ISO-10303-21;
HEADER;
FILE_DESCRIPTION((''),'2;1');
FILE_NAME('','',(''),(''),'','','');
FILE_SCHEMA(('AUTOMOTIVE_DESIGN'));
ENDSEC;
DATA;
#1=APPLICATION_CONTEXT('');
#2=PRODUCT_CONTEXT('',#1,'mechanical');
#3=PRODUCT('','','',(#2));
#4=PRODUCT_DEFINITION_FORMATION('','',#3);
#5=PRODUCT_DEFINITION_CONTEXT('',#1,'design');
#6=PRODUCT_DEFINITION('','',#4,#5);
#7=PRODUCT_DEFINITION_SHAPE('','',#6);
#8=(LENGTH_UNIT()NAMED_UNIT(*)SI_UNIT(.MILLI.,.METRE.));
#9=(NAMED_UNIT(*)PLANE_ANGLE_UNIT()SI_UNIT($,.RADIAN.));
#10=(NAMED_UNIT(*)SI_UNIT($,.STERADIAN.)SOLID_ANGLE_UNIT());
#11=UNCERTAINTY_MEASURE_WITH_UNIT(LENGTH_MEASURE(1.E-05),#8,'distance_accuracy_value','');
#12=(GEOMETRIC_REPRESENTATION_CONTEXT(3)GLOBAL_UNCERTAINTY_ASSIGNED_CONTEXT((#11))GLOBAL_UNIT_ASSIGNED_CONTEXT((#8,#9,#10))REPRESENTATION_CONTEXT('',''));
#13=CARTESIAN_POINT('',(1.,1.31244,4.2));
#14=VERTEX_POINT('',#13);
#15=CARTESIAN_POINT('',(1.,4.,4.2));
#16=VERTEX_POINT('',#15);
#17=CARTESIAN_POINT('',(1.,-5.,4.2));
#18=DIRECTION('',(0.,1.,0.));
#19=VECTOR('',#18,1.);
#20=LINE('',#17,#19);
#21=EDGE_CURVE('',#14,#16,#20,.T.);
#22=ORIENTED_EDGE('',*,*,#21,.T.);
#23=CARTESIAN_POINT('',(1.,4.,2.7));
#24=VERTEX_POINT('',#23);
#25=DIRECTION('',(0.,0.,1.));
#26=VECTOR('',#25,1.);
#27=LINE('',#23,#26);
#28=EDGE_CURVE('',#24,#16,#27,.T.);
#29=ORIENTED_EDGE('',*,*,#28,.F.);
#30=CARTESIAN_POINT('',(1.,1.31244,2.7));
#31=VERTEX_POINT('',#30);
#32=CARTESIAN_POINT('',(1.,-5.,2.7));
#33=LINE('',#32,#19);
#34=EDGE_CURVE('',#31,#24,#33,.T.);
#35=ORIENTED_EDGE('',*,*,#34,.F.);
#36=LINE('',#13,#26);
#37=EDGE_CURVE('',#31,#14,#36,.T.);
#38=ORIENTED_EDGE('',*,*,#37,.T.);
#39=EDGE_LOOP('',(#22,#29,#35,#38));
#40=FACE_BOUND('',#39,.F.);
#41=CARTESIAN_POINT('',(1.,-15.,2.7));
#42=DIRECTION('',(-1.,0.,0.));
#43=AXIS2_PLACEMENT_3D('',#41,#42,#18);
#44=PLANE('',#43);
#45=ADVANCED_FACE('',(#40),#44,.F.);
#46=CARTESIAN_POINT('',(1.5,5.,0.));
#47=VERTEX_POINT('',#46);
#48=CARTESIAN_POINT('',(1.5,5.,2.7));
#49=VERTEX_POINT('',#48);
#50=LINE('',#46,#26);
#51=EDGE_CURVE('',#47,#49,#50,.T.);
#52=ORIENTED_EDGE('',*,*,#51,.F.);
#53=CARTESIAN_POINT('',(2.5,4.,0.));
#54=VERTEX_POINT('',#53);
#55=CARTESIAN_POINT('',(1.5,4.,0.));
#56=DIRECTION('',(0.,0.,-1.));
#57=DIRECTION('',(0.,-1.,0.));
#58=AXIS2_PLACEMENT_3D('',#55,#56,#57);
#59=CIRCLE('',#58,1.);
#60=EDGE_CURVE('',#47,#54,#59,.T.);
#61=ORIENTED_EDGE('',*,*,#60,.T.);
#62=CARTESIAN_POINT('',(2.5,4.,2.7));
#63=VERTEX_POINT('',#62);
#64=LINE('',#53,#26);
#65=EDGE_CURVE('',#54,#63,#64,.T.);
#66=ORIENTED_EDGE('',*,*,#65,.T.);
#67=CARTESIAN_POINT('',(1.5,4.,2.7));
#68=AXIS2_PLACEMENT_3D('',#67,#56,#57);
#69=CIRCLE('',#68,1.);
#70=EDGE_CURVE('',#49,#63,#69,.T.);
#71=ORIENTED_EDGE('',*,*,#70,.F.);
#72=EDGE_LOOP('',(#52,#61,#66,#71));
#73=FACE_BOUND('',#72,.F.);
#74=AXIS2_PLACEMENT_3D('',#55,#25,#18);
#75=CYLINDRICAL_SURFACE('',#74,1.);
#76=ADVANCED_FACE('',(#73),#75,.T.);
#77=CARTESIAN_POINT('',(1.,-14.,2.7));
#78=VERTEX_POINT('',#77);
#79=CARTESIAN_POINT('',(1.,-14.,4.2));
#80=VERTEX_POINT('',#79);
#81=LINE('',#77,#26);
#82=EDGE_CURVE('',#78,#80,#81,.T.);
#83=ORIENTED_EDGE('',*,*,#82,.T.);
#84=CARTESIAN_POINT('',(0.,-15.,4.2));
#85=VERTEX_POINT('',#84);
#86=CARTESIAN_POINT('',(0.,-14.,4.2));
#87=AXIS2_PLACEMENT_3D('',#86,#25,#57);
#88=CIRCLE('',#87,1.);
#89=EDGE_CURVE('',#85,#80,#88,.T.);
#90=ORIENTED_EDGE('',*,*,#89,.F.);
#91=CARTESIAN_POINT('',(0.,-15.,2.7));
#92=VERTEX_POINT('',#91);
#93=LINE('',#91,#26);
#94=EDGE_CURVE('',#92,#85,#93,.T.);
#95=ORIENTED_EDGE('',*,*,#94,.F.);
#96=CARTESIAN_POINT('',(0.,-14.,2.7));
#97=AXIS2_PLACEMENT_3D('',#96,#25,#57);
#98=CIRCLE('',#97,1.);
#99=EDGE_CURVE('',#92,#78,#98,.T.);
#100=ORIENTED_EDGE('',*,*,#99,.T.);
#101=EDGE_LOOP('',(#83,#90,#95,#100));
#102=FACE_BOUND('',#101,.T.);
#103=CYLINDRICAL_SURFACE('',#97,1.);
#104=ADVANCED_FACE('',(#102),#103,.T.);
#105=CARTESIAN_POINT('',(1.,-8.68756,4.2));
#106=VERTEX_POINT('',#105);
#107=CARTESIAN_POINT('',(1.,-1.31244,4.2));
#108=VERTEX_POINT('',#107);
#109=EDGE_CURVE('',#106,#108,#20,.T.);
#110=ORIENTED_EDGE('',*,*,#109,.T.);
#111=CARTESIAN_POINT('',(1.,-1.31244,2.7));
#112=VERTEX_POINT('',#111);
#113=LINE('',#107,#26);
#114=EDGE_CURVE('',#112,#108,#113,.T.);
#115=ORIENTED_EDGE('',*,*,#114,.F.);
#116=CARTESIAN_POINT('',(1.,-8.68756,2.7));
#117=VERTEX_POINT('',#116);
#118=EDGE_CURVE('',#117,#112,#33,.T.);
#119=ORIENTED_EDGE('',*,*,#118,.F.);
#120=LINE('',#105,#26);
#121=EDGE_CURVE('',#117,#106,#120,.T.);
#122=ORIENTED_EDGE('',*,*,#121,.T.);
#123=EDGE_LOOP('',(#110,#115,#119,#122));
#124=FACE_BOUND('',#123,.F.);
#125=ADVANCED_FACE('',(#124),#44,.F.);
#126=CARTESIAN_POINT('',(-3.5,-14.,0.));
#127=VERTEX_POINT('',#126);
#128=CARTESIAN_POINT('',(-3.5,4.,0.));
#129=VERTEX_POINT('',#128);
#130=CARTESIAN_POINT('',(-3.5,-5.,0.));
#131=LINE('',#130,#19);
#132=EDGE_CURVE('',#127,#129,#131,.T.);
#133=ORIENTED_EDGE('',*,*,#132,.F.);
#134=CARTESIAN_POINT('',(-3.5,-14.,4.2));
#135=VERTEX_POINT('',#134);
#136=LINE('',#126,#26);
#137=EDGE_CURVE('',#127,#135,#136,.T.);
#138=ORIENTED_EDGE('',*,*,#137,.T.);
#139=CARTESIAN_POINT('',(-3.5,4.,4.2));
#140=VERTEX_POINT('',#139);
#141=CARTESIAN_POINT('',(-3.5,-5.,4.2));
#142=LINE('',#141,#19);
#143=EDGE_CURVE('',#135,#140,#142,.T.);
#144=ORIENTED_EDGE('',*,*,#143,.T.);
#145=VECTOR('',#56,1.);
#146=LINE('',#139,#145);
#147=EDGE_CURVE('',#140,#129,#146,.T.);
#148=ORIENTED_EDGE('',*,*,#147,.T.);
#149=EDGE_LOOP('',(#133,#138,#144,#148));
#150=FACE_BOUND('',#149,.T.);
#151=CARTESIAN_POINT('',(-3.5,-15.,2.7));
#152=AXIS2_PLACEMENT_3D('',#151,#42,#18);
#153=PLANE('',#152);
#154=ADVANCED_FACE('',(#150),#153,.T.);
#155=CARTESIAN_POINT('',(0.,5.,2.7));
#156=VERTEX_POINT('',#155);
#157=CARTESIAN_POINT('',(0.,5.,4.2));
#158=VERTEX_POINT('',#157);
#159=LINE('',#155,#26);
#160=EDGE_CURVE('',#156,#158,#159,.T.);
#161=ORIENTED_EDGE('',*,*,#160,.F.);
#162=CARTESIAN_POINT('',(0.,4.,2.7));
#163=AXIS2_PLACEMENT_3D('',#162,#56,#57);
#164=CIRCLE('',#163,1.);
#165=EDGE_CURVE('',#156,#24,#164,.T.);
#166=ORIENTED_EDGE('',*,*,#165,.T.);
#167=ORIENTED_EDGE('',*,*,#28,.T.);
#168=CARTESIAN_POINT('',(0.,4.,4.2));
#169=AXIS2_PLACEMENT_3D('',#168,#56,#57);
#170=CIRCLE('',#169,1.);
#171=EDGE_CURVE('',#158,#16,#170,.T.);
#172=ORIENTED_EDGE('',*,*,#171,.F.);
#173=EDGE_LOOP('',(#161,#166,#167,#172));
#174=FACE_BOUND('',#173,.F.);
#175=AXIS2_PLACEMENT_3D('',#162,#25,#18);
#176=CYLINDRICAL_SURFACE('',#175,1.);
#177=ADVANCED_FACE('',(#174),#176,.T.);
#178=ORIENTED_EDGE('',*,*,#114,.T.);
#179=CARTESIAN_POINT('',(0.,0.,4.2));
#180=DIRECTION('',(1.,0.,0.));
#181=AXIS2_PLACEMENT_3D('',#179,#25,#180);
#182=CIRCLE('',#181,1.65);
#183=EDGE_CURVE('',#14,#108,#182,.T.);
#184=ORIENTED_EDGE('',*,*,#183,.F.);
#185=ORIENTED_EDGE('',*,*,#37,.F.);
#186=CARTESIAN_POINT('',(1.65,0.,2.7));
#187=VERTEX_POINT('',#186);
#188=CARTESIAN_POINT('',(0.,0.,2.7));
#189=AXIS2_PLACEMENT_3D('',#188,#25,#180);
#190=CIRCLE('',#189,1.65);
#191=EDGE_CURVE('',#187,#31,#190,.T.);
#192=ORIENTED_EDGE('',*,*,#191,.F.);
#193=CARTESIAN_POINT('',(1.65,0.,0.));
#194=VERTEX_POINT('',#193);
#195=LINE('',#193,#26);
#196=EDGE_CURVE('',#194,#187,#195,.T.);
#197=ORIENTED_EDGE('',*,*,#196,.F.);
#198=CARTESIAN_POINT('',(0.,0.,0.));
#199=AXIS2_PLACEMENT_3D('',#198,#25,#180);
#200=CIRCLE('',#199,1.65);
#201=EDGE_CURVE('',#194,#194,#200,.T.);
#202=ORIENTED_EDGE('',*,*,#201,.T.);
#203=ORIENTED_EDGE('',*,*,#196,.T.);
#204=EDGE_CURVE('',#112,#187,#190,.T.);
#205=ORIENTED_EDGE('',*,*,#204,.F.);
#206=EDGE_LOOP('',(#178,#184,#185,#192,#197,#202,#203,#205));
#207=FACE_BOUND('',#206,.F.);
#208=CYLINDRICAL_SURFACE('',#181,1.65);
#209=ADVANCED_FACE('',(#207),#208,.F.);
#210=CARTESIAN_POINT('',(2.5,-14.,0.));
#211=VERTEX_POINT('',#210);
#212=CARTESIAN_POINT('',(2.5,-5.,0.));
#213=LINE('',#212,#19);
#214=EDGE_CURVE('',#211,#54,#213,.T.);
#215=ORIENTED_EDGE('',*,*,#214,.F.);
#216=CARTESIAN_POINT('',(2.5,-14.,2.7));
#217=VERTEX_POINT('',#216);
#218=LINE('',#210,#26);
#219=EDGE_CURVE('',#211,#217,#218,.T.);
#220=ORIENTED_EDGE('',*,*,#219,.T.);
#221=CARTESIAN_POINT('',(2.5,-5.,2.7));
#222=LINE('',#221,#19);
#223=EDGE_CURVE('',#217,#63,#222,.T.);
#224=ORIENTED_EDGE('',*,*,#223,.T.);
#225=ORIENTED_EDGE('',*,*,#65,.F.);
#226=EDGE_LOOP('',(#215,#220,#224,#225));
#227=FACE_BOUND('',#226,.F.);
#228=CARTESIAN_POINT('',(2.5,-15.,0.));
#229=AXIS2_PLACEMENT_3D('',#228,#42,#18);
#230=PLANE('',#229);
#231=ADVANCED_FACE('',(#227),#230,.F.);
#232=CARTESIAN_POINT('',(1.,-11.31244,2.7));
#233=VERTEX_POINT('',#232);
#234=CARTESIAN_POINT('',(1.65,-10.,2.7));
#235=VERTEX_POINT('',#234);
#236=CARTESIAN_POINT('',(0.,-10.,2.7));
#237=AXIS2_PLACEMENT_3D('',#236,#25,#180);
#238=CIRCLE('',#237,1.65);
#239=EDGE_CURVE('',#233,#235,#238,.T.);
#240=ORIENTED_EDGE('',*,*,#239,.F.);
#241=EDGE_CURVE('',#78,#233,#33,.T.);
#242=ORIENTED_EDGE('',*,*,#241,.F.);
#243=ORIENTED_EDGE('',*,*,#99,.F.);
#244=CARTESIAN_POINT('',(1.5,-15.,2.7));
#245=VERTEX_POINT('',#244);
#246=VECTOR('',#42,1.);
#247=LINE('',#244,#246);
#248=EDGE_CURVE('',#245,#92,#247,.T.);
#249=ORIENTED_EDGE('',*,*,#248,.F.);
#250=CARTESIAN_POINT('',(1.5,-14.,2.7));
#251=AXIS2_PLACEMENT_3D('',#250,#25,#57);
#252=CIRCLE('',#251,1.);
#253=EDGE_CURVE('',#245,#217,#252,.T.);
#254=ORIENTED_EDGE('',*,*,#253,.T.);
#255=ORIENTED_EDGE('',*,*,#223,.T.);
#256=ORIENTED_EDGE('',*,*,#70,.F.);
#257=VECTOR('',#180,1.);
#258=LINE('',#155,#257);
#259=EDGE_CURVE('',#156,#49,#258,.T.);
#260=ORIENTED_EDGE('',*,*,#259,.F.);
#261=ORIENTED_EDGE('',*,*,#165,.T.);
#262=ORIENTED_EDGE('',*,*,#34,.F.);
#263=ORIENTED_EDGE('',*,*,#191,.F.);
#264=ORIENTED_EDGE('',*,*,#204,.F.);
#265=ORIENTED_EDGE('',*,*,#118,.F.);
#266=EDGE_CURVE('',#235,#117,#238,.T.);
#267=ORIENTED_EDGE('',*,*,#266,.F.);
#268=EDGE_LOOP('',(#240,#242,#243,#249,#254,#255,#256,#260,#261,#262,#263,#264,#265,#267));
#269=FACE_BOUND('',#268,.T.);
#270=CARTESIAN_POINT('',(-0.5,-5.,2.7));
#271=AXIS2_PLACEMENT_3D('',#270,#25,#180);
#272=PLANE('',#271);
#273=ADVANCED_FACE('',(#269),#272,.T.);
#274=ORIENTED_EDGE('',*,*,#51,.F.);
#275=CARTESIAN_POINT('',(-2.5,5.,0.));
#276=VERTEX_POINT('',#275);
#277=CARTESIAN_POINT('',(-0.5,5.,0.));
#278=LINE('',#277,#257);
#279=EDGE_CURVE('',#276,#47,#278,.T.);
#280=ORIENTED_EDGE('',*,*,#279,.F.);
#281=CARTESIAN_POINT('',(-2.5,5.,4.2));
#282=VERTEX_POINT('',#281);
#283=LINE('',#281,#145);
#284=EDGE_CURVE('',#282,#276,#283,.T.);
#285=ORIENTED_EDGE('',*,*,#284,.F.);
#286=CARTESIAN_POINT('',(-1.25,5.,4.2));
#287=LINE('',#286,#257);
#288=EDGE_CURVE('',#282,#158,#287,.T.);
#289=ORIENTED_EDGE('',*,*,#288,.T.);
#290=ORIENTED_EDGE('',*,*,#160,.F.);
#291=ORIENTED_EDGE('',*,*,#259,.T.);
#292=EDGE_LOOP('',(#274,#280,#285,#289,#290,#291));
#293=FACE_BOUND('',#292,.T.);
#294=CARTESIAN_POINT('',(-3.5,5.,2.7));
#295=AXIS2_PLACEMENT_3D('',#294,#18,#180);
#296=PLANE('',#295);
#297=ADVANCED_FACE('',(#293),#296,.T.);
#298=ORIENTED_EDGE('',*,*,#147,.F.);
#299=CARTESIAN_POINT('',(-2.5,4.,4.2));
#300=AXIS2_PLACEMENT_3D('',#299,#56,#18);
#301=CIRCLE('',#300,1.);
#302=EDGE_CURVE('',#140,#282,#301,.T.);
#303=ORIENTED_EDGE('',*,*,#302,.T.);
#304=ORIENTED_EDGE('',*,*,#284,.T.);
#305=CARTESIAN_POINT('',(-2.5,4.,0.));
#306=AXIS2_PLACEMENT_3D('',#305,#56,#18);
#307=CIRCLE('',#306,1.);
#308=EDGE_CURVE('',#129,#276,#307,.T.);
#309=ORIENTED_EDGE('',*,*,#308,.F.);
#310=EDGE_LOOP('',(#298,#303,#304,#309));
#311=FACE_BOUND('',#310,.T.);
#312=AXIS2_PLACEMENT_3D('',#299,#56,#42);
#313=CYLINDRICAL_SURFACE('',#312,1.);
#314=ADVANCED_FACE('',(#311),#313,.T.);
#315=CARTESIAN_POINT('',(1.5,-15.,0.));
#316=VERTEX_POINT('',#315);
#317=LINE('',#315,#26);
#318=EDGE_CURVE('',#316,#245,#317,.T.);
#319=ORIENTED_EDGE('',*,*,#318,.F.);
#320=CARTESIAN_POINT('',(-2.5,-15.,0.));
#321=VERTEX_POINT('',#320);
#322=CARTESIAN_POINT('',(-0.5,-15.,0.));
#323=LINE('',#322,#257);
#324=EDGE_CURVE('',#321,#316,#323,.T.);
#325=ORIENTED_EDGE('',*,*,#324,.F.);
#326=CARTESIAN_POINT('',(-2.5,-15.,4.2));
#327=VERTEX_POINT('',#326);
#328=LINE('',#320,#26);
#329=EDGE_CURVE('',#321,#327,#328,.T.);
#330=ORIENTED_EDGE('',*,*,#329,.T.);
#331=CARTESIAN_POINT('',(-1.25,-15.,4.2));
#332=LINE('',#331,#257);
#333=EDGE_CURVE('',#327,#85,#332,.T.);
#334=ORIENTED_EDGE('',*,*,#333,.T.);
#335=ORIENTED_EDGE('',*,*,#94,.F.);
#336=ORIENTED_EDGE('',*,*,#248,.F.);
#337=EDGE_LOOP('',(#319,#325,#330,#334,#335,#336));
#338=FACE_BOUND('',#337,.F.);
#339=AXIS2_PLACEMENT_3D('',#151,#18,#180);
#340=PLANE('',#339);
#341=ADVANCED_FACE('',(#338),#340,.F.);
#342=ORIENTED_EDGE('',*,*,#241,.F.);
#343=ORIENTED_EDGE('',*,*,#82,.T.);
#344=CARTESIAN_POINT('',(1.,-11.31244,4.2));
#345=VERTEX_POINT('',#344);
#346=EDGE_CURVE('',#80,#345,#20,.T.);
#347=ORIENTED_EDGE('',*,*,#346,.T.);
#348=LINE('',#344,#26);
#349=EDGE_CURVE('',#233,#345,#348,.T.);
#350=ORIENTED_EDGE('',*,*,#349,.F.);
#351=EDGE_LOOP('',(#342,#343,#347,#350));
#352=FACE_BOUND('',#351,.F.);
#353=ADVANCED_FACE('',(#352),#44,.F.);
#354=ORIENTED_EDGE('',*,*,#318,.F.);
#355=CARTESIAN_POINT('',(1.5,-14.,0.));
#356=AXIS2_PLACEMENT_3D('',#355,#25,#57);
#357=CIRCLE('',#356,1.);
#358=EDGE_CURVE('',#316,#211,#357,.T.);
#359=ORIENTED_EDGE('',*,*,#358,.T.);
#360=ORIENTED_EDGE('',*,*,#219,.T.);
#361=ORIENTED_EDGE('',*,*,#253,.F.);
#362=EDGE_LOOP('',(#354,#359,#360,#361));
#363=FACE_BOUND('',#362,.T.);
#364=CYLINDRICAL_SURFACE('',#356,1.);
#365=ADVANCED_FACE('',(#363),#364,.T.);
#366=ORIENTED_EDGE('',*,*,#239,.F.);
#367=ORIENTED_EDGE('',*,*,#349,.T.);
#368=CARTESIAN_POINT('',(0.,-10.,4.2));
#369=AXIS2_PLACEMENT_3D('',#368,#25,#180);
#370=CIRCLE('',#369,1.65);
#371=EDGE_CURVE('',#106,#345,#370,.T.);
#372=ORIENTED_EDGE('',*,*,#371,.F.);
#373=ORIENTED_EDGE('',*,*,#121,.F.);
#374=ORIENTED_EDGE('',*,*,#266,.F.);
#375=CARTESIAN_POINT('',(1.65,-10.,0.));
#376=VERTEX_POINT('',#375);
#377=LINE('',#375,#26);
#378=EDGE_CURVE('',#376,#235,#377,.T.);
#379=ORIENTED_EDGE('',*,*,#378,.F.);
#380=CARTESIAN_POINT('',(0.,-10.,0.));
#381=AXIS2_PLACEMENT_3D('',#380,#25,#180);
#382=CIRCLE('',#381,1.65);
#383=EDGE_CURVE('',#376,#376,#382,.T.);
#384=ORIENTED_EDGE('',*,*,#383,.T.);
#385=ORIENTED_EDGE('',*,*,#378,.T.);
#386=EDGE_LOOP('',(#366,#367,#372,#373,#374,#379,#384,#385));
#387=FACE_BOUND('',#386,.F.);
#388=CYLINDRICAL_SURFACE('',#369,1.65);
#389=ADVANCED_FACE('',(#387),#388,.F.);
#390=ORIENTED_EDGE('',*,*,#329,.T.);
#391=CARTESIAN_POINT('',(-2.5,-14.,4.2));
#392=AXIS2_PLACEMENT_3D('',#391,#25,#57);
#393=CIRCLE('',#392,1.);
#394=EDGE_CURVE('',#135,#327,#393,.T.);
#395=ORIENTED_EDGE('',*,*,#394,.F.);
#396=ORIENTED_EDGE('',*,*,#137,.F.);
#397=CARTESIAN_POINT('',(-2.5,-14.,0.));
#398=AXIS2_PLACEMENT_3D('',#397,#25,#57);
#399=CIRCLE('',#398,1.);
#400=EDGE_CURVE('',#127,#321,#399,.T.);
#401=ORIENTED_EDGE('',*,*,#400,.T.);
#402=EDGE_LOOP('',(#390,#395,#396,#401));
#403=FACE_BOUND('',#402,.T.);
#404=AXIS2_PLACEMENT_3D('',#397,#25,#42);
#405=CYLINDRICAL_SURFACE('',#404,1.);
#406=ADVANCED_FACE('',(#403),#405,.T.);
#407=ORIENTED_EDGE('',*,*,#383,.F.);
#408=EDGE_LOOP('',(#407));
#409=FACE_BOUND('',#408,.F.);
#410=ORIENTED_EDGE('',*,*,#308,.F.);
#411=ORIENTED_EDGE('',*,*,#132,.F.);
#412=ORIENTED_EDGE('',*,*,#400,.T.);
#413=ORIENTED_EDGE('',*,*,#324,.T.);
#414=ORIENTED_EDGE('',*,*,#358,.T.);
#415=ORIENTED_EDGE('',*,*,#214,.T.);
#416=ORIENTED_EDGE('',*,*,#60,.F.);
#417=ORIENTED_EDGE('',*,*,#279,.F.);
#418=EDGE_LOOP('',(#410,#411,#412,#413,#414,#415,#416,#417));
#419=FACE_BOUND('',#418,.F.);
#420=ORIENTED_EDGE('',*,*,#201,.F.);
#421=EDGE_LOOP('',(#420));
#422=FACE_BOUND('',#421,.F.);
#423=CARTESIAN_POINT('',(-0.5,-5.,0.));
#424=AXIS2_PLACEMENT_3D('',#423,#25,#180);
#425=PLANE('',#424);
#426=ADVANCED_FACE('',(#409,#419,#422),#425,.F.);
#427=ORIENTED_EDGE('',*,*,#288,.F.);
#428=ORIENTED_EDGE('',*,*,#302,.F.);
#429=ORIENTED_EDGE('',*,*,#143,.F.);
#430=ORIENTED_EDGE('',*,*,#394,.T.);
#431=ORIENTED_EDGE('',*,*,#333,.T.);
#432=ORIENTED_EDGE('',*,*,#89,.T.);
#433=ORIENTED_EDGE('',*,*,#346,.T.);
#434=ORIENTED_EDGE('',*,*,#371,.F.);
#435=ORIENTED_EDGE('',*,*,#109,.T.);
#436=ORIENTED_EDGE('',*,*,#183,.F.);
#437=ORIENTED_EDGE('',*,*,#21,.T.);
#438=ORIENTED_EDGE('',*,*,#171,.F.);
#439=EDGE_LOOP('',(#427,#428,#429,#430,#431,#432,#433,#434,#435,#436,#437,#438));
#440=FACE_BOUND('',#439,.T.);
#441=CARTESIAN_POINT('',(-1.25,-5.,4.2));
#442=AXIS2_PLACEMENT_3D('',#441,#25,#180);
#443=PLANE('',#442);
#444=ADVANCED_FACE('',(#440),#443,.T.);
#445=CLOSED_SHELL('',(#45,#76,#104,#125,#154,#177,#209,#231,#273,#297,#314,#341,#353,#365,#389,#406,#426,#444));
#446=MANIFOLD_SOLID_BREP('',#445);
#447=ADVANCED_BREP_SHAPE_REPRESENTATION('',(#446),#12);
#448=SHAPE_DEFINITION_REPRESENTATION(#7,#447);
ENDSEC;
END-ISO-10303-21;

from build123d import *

# Parameters (mm, degrees)
SKETCH_W     = 6
SKETCH_H     = 20
SKETCH_R     = 1.65
PAD_DEPTH    = 2.7
SKETCH001_W  = 4.5
SKETCH001_H  = 20
PAD001_DEPTH = 1.5
SKETCH002_R  = 1.65
POCKET_DEPTH = 4.201
FILLET_R     = 1


with BuildPart() as part:
    # Sketch → Pad (new body)
    with BuildSketch(Plane.XY):
        with Locations((-0.5, -5)):
            Rectangle(SKETCH_W, SKETCH_H)
        Circle(SKETCH_R, mode=Mode.SUBTRACT)
        with Locations((0, -10)):
            Circle(SKETCH_R, mode=Mode.SUBTRACT)
    extrude(amount=PAD_DEPTH)

    # Sketch001 (on Face8 of Pad) → Pad001 (join)
    with BuildSketch(Plane.XY.offset(2.7)):
        with Locations((-1.25, -5)):
            Rectangle(SKETCH001_W, SKETCH001_H)
    extrude(amount=PAD001_DEPTH)

    # Sketch002 → Pocket (cut, through all)
    with BuildSketch(Plane.XY.offset(4.2)):
        Circle(SKETCH002_R)
        with Locations((0, -10)):
            Circle(SKETCH002_R)
    extrude(amount=-POCKET_DEPTH, mode=Mode.SUBTRACT)

    # Fillet
    fillet_edges = [part.edges().sort_by_distance(p)[0] for p in [
        (-3.5, -15, 3.45),
        (-3.5, -15, 1.35),
        (-3.5, 5, 3.45),
        (-3.5, 5, 1.35),
        (2.5, -15, 1.35),
        (1, -15, 3.45),
        (2.5, 5, 1.35),
        (1, 5, 3.45),
    ]]
    fillet(fillet_edges, radius=FILLET_R)


solid = part.part
